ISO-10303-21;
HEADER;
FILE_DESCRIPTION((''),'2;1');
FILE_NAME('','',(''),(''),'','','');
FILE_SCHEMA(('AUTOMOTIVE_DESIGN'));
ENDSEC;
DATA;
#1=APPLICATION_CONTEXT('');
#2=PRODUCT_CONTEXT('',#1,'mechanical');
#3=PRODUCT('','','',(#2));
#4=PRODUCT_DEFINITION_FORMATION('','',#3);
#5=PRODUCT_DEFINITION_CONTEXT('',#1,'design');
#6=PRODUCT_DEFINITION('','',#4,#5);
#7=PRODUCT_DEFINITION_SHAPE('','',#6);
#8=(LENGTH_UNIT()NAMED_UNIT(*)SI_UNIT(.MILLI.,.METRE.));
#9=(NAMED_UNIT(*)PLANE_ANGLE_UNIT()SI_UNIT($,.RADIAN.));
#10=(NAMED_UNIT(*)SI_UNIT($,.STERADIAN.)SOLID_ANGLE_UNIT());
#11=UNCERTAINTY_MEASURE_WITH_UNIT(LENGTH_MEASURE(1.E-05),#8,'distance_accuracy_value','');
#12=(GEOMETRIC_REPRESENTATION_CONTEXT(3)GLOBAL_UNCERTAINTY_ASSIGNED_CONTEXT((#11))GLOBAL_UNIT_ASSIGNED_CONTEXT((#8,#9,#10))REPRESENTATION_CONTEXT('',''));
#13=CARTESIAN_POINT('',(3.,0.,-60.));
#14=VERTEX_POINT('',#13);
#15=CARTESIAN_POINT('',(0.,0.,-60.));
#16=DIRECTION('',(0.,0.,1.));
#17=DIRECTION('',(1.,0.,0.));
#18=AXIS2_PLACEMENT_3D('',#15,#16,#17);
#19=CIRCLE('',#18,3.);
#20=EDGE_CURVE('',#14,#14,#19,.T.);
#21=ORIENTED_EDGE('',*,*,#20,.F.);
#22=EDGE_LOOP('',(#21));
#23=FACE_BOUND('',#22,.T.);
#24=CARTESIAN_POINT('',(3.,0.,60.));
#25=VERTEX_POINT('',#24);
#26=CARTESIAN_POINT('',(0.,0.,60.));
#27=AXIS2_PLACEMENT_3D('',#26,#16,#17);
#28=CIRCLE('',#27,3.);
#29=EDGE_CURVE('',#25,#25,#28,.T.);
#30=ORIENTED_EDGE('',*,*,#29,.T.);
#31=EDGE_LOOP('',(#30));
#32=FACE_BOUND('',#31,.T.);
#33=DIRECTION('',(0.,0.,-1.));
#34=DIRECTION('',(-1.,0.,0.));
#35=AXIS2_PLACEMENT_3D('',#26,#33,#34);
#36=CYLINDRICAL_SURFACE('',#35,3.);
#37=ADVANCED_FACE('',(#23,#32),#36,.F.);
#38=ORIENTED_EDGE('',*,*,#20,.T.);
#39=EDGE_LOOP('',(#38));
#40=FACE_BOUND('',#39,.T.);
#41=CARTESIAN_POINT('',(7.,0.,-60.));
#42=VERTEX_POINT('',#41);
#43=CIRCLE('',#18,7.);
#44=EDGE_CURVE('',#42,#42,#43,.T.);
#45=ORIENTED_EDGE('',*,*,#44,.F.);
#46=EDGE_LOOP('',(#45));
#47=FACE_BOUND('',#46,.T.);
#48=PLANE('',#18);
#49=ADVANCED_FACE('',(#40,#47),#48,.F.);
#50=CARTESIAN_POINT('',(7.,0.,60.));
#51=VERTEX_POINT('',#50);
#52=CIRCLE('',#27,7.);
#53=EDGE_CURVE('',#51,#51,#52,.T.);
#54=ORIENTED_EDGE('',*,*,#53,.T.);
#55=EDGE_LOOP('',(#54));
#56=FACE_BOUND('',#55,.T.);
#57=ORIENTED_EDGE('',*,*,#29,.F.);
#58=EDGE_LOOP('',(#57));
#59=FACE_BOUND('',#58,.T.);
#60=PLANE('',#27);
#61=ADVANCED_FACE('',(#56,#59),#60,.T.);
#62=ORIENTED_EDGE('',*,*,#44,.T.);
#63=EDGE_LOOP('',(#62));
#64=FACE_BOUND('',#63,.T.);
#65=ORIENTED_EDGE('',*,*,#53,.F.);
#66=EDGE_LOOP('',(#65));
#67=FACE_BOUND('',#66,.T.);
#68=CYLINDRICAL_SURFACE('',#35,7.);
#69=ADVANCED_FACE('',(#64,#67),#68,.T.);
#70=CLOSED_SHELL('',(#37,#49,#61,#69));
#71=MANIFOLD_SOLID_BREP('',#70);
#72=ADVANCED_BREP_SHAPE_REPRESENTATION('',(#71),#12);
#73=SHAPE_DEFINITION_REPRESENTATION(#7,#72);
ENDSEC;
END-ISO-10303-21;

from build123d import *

# Parameters (mm, degrees)
SKETCH1_R           = 7
SKETCH1_R_2         = 3
BOSS_EXTRUDE1_DEPTH = 60


with BuildPart() as part:
    # Sketch1 → Boss-Extrude1 (new, symmetric)
    with BuildSketch(Plane(origin=(0, 0, 0), x_dir=(0, 1, 0), z_dir=(0, 0, 1))):
        with Locations(Location((0, 0, 0), (0, 0, 270))):
            Circle(SKETCH1_R)
        with Locations(Location((0, 0, 0), (0, 0, 270))):
            Circle(SKETCH1_R_2, mode=Mode.SUBTRACT)
    extrude(amount=BOSS_EXTRUDE1_DEPTH, both=True)


solid = part.part
